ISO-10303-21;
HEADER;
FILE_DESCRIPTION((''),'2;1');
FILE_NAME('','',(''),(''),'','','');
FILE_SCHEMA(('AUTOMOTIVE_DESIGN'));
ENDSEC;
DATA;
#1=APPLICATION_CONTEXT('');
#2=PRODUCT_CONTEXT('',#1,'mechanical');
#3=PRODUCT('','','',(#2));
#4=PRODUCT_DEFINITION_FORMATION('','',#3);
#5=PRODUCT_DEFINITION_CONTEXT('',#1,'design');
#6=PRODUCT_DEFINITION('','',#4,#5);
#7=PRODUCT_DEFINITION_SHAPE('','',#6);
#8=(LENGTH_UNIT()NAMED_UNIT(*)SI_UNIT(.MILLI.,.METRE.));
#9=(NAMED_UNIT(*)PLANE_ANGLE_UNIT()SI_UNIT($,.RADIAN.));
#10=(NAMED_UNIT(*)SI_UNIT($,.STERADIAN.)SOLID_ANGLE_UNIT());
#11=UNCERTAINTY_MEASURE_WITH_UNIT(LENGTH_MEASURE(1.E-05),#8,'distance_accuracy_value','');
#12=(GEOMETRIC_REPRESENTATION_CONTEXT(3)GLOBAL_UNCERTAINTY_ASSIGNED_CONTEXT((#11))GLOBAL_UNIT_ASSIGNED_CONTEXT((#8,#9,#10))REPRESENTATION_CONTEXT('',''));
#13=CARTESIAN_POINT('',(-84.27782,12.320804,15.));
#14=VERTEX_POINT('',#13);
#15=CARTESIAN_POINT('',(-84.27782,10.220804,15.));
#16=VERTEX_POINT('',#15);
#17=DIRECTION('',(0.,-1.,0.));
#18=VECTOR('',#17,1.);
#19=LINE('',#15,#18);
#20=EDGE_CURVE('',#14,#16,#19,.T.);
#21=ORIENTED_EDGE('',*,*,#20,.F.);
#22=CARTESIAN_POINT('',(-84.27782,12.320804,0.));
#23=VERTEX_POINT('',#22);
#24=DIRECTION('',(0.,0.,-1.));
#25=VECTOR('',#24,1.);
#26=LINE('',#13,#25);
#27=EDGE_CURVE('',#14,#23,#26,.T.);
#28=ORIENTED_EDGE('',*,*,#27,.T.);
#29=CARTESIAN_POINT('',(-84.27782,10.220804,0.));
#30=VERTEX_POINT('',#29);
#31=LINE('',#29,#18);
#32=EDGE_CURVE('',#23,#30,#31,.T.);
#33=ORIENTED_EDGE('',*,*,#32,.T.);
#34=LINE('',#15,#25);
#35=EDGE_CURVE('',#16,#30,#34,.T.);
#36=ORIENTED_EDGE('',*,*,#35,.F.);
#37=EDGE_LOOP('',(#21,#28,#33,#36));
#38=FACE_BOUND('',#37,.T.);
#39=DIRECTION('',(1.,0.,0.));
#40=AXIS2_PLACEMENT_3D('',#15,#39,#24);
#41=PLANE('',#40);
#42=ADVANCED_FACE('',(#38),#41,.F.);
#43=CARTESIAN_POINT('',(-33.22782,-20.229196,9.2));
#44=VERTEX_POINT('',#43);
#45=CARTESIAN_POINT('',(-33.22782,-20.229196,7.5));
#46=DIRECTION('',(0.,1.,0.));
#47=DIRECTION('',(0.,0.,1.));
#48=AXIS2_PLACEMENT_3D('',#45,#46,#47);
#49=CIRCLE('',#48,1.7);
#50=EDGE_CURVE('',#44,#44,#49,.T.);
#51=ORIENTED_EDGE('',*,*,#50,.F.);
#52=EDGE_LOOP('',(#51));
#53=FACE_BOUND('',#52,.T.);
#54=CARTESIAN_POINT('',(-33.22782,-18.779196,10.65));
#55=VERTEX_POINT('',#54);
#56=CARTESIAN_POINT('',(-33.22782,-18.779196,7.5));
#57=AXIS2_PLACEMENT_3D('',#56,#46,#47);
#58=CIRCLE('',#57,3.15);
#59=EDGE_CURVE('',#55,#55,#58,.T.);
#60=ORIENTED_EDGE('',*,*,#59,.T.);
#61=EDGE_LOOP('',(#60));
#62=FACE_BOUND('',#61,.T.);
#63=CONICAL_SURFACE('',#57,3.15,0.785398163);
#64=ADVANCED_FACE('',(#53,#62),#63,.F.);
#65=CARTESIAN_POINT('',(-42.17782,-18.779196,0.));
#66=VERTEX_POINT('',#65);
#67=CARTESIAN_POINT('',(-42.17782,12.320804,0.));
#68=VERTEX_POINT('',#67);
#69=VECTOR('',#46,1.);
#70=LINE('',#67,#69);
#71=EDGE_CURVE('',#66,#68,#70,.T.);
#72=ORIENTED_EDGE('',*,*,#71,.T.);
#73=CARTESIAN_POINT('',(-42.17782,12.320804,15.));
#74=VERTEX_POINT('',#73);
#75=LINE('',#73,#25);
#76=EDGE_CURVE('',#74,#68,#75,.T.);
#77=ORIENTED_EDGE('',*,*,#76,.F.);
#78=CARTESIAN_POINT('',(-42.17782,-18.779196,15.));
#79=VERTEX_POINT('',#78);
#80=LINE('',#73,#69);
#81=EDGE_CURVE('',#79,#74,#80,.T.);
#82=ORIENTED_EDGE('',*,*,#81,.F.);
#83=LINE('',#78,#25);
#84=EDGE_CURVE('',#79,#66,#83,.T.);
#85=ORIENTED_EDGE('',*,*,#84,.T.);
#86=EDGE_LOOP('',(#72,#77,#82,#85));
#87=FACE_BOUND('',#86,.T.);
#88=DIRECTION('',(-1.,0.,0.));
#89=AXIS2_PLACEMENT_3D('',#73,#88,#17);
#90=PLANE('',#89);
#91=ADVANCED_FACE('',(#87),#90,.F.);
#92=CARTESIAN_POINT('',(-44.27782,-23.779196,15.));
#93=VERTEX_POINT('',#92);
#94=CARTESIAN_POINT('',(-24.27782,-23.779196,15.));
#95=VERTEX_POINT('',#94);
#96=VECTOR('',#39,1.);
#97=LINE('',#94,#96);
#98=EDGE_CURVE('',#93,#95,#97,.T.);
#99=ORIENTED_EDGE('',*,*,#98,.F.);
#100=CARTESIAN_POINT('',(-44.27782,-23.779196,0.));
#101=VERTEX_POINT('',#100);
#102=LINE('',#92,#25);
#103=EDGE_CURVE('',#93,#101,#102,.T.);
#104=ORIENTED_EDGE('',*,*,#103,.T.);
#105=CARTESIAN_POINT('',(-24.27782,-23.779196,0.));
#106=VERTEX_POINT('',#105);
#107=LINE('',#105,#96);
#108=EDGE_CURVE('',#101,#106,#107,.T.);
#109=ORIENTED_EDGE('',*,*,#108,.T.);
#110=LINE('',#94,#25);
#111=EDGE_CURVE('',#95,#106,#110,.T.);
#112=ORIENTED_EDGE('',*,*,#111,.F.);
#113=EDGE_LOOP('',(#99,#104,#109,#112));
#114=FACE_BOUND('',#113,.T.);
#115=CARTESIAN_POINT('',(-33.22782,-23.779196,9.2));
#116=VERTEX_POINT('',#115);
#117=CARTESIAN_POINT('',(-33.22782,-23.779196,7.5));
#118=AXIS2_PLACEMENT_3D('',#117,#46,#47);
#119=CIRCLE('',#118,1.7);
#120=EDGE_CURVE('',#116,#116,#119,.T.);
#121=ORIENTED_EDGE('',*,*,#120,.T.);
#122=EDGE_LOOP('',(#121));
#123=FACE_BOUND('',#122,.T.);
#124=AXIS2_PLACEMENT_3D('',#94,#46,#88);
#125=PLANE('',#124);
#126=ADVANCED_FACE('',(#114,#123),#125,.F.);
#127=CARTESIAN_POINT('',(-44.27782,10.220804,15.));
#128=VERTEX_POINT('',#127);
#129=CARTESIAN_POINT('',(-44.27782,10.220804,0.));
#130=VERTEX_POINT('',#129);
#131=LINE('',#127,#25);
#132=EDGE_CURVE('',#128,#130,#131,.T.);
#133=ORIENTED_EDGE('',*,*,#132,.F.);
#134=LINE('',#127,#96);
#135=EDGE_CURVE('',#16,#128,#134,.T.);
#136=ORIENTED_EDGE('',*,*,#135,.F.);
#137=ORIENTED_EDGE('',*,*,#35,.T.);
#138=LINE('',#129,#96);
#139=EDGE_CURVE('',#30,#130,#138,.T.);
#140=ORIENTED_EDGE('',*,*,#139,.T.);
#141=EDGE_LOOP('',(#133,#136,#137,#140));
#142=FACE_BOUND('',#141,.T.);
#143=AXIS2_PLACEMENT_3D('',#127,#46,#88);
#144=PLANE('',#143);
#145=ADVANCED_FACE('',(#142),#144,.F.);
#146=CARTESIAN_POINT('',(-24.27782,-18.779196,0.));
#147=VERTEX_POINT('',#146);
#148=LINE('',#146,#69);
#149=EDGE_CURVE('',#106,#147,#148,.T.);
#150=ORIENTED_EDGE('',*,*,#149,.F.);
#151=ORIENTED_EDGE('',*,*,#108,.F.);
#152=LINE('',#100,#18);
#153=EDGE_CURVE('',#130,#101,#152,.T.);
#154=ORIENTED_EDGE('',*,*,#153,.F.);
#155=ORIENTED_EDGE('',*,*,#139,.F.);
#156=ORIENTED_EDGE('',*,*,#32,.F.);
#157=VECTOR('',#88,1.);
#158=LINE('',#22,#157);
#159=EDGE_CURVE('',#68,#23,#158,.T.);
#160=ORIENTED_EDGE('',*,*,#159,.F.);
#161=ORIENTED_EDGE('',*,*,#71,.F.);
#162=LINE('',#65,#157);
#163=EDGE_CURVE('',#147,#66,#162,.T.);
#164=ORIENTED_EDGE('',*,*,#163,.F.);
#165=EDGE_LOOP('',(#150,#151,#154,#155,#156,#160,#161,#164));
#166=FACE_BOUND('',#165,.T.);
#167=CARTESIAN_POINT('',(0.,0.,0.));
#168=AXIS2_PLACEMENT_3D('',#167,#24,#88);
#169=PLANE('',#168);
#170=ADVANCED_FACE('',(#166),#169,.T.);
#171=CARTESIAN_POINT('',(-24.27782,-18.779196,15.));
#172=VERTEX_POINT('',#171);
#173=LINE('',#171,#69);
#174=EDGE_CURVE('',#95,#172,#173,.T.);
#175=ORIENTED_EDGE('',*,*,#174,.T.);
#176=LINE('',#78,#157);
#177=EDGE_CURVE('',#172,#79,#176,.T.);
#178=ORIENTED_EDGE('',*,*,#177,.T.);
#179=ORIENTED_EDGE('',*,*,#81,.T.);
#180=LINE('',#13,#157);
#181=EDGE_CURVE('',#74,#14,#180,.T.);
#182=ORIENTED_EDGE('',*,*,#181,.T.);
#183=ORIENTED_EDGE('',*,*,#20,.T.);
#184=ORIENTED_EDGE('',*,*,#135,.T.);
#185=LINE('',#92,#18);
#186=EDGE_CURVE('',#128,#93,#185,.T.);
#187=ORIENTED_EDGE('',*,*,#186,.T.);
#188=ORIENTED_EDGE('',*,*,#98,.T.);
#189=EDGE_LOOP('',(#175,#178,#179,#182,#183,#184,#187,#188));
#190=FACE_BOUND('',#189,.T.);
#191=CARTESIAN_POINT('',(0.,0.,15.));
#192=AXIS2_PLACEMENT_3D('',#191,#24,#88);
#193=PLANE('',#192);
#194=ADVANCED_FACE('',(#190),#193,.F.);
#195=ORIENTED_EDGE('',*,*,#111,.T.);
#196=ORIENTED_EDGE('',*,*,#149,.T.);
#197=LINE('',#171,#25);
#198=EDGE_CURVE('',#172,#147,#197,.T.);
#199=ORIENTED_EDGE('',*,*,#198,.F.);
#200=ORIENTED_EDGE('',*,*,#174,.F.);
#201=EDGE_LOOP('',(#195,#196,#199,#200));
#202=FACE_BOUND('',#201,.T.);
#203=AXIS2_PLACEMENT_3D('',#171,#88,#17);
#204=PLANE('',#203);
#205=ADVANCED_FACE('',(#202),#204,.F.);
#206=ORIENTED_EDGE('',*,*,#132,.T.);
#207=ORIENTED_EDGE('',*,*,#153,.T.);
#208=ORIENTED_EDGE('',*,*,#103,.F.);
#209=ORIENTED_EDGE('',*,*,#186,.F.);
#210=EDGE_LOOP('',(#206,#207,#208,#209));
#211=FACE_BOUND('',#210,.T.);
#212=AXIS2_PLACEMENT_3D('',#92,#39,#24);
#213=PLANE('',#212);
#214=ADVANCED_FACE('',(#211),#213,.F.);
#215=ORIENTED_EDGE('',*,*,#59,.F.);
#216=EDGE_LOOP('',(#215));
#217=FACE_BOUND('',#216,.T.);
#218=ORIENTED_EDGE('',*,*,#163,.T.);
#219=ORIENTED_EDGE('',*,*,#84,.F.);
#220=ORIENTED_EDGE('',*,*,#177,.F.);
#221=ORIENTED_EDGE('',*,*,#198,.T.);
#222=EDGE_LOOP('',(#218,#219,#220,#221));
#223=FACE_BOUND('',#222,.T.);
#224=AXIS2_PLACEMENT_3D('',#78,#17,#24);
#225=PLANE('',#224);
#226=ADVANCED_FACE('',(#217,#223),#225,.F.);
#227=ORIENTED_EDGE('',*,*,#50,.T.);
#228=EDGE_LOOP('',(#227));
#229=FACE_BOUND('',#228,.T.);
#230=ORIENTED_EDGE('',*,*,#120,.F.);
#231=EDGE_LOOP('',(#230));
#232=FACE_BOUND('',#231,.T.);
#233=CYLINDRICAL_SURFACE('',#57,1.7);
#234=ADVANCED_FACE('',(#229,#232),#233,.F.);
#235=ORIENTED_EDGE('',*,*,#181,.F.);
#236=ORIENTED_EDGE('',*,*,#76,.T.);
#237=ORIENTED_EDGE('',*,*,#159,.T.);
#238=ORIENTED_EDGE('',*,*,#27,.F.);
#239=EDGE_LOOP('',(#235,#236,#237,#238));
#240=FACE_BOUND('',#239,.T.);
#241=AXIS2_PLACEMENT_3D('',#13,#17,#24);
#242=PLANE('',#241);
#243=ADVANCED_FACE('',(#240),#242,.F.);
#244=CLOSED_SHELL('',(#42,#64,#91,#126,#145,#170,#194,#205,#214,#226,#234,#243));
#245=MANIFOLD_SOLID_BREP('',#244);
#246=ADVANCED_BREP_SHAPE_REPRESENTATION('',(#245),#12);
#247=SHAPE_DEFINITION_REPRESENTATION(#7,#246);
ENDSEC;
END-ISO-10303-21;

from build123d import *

# Parameters (mm, degrees)
SALIENTE_EXTRUIR1_DEPTH                              = 15
CROQUIS2_R                                           = 1.5
CORTAR_EXTRUIR1_DEPTH                                = 5
AVELLANADO_PARA_TORNILLO_CON_CABEZA_PLAN_D           = 3.4
AVELLANADO_PARA_TORNILLO_CON_CABEZA_PLAN_CSINK_D     = 6.3
AVELLANADO_PARA_TORNILLO_CON_CABEZA_PLAN_CSINK_ANGLE = 90


with BuildPart() as part:
    # Croquis1 → Saliente-Extruir1 (new body)
    with BuildSketch(Plane.XY):
        Polygon((-24.277819577, -18.779195804), (-24.277819577, -23.779195804), (-44.277819577, -23.779195804), (-44.277819577, 10.220804196), (-84.277819577, 10.220804196), (-84.277819577, 12.320804196), (-42.177819577, 12.320804196), (-42.177819577, -18.779195804), align=None)
    extrude(amount=SALIENTE_EXTRUIR1_DEPTH)

    # Croquis2 → Cortar-Extruir1 (cut)
    with BuildSketch(Plane(origin=(0, -18.779195804, 0), x_dir=(1, 0, 0), z_dir=(0, 1, 0))):
        with Locations((-33.227819577, -7.5)):
            Circle(CROQUIS2_R)
    extrude(amount=-CORTAR_EXTRUIR1_DEPTH, mode=Mode.SUBTRACT)

    # Avellanado para tornillo con cabeza plana avellanada de M31 (through all)
    with Locations(Plane(origin=(0, -18.779195804, 0), x_dir=(1, 0, 0), z_dir=(0, 1, 0))):
        with Locations((-33.227819577, -7.5)):
            CounterSinkHole(AVELLANADO_PARA_TORNILLO_CON_CABEZA_PLAN_D / 2, AVELLANADO_PARA_TORNILLO_CON_CABEZA_PLAN_CSINK_D / 2, counter_sink_angle=AVELLANADO_PARA_TORNILLO_CON_CABEZA_PLAN_CSINK_ANGLE)


solid = part.part
